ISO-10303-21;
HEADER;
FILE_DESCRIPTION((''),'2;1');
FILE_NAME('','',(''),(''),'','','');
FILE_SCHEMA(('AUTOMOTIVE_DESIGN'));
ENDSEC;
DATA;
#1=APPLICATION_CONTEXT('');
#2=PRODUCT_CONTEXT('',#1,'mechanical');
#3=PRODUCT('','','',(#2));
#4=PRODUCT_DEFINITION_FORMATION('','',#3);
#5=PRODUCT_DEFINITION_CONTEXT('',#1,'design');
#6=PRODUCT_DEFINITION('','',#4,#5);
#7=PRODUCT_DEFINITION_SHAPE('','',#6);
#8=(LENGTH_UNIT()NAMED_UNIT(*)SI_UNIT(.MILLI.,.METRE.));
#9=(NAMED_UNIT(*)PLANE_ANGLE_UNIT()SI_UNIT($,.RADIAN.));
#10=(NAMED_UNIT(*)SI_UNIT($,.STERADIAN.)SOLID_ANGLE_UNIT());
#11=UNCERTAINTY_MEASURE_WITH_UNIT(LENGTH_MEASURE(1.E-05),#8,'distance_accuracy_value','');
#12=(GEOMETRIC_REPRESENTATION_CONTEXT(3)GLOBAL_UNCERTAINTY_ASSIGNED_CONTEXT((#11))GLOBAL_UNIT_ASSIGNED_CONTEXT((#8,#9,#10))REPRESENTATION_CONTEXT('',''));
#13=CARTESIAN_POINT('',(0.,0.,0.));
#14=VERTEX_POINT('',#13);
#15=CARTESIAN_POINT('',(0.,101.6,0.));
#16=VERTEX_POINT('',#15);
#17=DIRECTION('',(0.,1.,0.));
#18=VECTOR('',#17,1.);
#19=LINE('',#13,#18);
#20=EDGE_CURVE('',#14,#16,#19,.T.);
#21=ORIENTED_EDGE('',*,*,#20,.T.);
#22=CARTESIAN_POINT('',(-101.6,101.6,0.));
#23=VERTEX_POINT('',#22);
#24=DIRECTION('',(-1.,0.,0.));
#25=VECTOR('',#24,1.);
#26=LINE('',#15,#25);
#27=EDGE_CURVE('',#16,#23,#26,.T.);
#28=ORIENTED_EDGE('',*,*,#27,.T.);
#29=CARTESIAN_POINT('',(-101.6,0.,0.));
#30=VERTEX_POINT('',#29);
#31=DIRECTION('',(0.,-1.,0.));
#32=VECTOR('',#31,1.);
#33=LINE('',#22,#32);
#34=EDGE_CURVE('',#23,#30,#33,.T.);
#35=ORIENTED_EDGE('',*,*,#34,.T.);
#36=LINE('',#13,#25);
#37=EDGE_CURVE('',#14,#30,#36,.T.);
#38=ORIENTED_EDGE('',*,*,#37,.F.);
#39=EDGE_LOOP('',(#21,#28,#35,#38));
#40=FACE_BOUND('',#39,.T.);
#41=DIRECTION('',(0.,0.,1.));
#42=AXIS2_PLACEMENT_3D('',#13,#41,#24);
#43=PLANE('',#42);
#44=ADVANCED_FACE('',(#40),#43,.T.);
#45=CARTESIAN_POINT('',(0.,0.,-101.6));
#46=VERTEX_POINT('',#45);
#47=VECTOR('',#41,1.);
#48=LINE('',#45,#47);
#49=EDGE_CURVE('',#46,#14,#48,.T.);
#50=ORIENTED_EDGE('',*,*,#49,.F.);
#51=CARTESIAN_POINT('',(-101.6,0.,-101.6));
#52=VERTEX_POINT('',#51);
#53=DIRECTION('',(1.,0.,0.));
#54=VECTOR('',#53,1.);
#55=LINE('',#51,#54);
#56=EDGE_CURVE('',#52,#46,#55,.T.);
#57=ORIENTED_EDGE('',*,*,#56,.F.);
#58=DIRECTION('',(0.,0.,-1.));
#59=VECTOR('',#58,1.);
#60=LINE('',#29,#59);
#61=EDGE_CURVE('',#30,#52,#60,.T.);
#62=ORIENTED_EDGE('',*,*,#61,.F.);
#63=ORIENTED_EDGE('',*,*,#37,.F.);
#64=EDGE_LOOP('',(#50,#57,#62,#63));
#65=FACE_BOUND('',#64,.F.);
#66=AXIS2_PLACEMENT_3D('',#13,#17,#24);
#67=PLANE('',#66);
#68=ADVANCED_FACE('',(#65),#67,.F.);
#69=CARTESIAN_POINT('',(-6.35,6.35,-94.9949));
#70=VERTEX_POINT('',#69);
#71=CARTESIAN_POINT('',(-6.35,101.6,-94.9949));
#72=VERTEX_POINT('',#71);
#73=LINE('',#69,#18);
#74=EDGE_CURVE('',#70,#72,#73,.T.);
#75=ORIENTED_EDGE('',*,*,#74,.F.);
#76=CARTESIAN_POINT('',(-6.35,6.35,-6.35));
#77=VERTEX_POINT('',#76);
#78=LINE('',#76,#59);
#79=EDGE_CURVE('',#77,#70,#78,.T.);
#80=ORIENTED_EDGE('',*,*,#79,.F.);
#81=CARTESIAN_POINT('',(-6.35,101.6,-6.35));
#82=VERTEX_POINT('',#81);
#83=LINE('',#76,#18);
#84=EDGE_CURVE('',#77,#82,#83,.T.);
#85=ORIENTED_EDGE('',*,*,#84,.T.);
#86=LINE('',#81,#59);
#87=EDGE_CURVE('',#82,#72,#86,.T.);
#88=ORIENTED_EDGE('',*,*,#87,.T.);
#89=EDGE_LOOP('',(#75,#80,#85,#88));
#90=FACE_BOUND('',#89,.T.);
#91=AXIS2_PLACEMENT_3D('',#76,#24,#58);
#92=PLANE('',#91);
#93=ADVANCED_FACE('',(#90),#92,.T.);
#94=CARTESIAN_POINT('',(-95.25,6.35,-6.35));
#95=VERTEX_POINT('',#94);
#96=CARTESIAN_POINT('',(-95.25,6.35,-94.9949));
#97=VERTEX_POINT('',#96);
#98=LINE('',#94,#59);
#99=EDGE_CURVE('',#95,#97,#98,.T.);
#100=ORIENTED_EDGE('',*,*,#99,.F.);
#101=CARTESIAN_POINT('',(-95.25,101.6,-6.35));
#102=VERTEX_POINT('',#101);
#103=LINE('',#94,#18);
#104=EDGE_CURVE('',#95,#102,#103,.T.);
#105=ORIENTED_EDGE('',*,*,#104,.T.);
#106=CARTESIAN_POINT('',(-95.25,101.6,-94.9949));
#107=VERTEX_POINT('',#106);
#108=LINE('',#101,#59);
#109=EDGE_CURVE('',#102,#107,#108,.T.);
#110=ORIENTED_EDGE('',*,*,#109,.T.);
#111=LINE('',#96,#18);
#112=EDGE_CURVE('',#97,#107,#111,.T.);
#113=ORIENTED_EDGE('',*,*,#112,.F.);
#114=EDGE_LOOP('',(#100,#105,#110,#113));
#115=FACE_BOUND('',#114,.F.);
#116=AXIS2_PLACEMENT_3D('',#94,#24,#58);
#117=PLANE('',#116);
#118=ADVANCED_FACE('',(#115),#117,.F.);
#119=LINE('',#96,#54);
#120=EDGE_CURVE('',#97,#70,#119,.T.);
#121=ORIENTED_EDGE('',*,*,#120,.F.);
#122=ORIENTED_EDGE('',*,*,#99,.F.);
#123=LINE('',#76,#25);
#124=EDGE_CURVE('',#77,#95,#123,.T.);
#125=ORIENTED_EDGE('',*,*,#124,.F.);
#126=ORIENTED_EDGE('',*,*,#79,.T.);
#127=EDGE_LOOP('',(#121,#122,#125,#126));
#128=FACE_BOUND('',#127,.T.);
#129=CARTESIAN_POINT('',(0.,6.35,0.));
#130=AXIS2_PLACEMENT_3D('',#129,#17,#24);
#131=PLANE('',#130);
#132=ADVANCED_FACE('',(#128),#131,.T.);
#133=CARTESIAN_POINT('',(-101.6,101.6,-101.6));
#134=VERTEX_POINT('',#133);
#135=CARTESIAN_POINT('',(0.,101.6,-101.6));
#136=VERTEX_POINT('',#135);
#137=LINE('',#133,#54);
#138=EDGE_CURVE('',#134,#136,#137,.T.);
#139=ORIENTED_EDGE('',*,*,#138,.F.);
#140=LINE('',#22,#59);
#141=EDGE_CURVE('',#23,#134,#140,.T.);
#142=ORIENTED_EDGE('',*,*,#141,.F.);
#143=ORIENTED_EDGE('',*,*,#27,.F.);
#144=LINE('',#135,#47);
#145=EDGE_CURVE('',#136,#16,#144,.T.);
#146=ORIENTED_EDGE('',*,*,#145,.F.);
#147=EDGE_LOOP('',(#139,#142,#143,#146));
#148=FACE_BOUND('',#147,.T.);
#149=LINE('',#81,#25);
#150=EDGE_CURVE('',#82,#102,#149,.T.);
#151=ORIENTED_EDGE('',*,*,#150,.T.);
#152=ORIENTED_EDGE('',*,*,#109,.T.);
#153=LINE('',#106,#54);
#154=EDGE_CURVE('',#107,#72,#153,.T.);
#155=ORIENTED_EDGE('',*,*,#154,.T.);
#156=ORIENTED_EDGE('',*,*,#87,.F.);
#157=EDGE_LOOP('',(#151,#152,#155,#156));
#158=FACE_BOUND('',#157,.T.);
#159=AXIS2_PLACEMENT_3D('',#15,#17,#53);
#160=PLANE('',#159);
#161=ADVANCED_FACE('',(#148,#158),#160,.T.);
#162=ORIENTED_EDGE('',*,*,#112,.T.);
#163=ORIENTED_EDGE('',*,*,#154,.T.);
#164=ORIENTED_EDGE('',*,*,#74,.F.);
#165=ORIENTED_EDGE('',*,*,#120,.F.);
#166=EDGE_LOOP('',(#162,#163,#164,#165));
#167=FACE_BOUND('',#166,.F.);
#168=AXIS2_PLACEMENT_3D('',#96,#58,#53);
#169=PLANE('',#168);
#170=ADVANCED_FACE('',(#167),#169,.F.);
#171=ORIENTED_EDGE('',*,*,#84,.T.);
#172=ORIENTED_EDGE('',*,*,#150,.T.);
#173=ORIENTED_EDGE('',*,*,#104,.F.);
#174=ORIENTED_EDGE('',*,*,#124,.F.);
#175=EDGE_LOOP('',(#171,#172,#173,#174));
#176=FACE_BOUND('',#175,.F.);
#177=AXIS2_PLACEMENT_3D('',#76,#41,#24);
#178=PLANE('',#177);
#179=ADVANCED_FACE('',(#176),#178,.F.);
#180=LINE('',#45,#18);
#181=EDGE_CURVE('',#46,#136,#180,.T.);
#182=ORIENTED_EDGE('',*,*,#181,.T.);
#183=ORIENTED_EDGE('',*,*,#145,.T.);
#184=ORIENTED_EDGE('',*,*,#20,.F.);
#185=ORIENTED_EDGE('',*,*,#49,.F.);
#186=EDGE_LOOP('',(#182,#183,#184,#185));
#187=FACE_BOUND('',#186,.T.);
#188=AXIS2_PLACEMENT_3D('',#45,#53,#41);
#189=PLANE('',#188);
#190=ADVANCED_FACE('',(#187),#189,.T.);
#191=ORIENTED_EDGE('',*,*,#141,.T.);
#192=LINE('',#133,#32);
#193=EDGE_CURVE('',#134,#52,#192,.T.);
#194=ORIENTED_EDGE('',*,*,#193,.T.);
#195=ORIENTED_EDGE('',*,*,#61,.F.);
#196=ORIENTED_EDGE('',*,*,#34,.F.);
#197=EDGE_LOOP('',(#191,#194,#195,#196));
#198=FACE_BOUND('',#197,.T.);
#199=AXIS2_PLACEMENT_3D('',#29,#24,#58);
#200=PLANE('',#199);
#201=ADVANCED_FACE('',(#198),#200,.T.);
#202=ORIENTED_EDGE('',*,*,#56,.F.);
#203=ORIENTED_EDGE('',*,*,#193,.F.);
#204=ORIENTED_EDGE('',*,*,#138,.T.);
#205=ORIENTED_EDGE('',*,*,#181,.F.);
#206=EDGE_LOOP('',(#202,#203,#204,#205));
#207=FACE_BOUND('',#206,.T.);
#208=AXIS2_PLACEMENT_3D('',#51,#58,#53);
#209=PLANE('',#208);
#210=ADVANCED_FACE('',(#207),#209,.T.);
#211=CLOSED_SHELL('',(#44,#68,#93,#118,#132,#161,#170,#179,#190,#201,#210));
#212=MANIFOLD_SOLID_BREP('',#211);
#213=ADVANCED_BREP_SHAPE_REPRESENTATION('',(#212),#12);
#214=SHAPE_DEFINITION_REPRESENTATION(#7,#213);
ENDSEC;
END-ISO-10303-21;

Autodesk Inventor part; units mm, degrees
ref_plane "YZ Plane" through (0, 0, 0) normal (1, 0, 0) x (0, 1, 0)
ref_plane "XZ Plane" through (0, 0, 0) normal (0, 1, 0) x (-1, 0, 0)
ref_plane "XY Plane" through (0, 0, 0) normal (0, 0, 1) x (1, 0, 0)
sketch "Sketch1" plane through (0, 0, 0) normal (0, 1, 0) x (-1, 0, 0)
  line L0 (0, 0) -> (101.6, 0)
  line L1 (101.6, 0) -> (101.6, -101.6)
  line L2 (101.6, -101.6) -> (0, -101.6)
  line L3 (0, -101.6) -> (0, 0)
  dimension "d0" = 101.6
  dimension "d1" = 101.6
extrude "Extrusion1" add sketch "Sketch1" along normal blind 6.35
sketch "Sketch2" plane through (0, 6.35, 0) normal (0, 1, 0) x (1, 0, 0)
  line L0 (0, 0) -> (0, 6.35)
  line L1 (0, 0) -> (0, 101.6) projected
  line L2 (-6.35, 6.35) -> (-95.25, 6.35)
  line L3 (0, 0) -> (-101.6, 0)
  line L4 (-101.6, 0) -> (0, 0) projected
  line L5 (-101.6, 0) -> (-101.6, 101.6)
  line L6 (-101.6, 101.6) -> (0, 101.6)
  line L7 (0, 0) -> (0, 101.6)
  line L8 (-101.6, 0) -> (-95.25, 0)
  line L9 (-95.25, 6.35) -> (-95.25, 94.9949)
  line L10 (-95.25, 94.9949) -> (-6.35, 94.9949)
  line L11 (-6.35, 6.35) -> (-6.35, 94.9949)
extrude "Extrusion2" add sketch "Sketch2" along normal blind 95.25
properties part number "gear box"
